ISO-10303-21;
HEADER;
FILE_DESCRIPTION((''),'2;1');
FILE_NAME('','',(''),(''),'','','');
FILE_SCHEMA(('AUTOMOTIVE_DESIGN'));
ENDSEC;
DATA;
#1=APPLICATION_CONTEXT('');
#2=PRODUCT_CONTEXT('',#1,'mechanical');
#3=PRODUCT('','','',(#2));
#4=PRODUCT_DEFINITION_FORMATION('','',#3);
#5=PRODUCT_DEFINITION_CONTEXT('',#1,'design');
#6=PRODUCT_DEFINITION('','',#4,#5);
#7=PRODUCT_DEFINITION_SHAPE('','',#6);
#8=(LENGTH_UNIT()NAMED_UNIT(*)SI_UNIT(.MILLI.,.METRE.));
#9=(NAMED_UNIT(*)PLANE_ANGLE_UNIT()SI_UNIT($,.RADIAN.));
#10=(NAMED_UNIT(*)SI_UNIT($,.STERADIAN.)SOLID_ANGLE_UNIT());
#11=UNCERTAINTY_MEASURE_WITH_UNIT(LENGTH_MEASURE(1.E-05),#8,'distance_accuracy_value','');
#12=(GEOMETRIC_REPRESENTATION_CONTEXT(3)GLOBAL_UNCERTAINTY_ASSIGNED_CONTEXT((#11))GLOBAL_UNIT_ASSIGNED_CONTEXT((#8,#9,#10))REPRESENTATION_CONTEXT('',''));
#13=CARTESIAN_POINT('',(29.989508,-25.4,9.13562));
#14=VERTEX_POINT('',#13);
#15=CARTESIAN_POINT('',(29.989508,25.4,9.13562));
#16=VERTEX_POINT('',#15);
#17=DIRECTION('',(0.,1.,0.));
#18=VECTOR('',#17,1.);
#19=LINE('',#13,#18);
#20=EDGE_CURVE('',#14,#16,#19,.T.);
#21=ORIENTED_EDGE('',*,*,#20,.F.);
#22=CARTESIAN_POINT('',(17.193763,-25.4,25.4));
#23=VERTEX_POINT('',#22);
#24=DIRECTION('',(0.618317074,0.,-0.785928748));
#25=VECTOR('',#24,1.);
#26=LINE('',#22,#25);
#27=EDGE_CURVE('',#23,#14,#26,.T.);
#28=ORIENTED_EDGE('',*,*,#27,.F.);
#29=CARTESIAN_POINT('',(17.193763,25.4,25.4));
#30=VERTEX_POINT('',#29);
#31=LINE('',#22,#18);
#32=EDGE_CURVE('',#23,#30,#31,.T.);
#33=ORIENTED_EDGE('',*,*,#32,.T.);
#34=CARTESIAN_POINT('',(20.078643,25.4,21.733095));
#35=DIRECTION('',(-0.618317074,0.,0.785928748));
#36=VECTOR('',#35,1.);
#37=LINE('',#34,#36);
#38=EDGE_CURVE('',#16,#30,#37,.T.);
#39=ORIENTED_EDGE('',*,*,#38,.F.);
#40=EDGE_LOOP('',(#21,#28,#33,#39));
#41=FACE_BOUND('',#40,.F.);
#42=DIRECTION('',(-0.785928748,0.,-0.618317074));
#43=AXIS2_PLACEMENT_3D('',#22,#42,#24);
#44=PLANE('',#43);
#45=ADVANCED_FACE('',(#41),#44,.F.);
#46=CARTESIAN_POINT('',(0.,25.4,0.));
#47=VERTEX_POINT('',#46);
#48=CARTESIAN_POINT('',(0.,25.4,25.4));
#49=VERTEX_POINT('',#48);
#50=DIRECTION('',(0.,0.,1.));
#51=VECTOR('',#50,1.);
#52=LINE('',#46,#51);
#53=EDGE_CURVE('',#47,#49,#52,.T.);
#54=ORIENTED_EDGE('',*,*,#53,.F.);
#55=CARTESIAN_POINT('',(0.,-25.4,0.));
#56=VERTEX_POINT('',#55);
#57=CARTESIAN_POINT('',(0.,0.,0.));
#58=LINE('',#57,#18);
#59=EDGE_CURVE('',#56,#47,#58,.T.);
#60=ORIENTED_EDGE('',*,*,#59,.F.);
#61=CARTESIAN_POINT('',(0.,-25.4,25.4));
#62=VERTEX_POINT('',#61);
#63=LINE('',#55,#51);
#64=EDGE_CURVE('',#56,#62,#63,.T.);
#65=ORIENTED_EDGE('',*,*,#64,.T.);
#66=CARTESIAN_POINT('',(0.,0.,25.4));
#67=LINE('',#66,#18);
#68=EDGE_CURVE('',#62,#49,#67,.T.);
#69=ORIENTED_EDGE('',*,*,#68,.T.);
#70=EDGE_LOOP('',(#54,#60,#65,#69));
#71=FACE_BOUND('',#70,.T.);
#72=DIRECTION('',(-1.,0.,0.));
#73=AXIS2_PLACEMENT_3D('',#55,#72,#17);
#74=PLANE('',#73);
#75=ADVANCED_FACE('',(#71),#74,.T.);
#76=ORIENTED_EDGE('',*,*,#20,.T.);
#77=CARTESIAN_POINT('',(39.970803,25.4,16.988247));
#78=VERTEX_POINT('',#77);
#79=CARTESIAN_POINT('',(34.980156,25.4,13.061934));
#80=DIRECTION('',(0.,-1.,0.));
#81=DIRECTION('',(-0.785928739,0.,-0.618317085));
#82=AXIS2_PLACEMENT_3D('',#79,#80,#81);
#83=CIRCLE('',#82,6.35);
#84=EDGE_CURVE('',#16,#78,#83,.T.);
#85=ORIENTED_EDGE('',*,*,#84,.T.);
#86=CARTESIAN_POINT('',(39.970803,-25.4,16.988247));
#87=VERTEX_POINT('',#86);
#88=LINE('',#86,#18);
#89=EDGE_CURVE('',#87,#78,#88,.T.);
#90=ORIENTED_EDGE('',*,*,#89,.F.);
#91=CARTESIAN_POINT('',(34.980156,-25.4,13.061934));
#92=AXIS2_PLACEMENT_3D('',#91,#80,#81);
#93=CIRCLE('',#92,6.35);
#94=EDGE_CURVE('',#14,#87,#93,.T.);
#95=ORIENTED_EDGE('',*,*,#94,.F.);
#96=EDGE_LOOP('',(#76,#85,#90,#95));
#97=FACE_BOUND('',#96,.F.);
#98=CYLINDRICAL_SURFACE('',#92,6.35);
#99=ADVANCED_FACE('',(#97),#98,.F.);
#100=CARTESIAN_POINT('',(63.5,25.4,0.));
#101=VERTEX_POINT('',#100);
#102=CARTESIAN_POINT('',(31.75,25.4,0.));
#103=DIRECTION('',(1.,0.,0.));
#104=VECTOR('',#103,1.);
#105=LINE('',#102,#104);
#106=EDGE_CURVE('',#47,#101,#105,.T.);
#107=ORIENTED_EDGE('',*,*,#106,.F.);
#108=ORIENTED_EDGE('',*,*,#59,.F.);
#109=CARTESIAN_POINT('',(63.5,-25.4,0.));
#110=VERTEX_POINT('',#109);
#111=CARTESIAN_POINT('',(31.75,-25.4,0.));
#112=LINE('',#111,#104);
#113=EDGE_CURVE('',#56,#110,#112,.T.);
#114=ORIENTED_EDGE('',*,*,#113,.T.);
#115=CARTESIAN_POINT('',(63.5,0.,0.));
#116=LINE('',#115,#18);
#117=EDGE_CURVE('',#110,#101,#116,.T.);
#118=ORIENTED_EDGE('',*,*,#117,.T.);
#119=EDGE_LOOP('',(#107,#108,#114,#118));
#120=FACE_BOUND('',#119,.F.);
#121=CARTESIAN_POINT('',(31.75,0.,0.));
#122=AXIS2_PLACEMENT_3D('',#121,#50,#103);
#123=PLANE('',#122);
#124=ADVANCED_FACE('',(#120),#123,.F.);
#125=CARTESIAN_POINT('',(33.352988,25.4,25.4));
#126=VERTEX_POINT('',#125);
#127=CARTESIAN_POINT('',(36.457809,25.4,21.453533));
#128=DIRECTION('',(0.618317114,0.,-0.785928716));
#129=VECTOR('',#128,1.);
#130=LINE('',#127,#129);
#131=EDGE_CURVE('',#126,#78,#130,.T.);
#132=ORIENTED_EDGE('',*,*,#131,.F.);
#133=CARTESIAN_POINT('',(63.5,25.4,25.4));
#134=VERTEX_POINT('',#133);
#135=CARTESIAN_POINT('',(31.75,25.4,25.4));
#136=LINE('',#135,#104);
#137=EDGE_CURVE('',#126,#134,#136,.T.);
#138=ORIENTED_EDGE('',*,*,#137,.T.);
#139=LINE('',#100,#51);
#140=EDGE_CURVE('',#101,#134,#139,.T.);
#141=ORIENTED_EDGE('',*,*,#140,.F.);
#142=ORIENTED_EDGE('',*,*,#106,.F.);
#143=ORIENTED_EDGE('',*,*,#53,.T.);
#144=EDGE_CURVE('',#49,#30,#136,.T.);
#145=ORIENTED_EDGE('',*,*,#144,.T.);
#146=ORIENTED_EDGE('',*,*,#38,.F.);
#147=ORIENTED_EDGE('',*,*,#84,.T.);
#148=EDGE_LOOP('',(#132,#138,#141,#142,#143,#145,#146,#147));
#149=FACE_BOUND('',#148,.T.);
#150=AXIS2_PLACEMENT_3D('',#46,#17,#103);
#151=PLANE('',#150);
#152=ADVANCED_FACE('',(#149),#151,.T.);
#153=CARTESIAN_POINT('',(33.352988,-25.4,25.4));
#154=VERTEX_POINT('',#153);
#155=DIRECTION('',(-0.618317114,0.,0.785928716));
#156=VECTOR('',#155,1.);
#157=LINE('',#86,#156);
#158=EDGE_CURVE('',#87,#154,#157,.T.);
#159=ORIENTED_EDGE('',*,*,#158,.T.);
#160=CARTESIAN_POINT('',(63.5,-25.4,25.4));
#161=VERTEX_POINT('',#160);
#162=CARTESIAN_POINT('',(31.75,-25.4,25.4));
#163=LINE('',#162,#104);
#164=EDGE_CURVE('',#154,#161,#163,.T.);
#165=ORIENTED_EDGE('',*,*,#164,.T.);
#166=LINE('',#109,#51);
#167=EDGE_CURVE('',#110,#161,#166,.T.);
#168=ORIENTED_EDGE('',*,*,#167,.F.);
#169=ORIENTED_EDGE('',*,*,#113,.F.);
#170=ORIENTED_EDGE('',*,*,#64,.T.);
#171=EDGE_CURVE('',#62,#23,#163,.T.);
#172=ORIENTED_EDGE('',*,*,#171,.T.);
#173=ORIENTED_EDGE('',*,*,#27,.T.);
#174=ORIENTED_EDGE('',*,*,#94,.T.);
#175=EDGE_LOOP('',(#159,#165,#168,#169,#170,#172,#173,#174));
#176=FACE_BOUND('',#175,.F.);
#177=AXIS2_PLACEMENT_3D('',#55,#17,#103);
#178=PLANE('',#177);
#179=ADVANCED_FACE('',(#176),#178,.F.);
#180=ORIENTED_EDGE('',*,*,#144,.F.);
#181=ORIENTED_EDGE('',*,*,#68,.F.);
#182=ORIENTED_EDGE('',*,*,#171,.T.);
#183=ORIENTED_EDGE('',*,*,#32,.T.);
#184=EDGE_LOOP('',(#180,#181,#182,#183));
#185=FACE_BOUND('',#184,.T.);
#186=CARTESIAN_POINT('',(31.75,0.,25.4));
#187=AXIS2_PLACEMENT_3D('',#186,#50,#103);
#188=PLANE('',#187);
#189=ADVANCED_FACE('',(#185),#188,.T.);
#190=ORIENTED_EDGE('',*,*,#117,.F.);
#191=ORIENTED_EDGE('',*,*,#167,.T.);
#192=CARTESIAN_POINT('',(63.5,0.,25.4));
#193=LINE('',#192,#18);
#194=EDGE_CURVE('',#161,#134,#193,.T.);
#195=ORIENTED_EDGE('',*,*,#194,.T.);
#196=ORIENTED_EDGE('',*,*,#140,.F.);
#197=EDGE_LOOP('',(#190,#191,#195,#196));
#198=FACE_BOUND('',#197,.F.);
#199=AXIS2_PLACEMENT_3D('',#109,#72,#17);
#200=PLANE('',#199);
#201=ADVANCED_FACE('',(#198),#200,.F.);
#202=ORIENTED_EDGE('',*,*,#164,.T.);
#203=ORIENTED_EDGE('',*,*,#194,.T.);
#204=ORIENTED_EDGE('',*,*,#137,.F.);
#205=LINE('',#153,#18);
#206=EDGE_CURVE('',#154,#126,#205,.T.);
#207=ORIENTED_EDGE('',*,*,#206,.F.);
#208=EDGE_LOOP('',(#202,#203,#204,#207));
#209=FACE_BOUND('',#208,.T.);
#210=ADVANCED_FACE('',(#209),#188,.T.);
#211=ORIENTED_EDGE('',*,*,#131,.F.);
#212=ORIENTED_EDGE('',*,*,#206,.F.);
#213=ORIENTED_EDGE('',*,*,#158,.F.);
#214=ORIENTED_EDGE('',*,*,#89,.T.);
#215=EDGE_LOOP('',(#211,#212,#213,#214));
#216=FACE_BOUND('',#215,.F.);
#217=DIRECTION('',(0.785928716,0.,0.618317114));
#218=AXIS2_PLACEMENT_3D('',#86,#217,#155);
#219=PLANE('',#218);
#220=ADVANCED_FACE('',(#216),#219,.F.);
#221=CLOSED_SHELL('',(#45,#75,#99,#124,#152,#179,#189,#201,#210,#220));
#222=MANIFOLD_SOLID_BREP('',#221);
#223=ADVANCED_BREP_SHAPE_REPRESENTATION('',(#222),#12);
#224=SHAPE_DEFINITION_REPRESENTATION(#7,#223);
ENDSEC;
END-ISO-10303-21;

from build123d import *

# Parameters (mm, degrees)
F0_W     = 63.5
F0_H     = 50.8
F1_DEPTH = 25.4
F3_DEPTH = 50.801


with BuildPart() as f1:
    # F0 (on Top) → F1 (new body)
    with BuildSketch(Plane.XY):
        with Locations((31.75, 0)):
            Rectangle(F0_W, F0_H)
    extrude(amount=F1_DEPTH)

    # F2 (on face) → F3 (cut, through all)
    with BuildSketch(Plane.XZ.offset(25.4)):
        with BuildLine():
            Line((17.193763, 25.4), (29.989508, 9.13562))
            ThreePointArc((29.989508, 9.13562), (38.906469, 8.071286), (39.970803, 16.988247))
            Line((39.970803, 16.988247), (33.352988, 25.4))
            Line((33.352988, 25.4), (17.193763, 25.4))
        make_face()
    extrude(amount=-F3_DEPTH, mode=Mode.SUBTRACT)


solid = f1.part
